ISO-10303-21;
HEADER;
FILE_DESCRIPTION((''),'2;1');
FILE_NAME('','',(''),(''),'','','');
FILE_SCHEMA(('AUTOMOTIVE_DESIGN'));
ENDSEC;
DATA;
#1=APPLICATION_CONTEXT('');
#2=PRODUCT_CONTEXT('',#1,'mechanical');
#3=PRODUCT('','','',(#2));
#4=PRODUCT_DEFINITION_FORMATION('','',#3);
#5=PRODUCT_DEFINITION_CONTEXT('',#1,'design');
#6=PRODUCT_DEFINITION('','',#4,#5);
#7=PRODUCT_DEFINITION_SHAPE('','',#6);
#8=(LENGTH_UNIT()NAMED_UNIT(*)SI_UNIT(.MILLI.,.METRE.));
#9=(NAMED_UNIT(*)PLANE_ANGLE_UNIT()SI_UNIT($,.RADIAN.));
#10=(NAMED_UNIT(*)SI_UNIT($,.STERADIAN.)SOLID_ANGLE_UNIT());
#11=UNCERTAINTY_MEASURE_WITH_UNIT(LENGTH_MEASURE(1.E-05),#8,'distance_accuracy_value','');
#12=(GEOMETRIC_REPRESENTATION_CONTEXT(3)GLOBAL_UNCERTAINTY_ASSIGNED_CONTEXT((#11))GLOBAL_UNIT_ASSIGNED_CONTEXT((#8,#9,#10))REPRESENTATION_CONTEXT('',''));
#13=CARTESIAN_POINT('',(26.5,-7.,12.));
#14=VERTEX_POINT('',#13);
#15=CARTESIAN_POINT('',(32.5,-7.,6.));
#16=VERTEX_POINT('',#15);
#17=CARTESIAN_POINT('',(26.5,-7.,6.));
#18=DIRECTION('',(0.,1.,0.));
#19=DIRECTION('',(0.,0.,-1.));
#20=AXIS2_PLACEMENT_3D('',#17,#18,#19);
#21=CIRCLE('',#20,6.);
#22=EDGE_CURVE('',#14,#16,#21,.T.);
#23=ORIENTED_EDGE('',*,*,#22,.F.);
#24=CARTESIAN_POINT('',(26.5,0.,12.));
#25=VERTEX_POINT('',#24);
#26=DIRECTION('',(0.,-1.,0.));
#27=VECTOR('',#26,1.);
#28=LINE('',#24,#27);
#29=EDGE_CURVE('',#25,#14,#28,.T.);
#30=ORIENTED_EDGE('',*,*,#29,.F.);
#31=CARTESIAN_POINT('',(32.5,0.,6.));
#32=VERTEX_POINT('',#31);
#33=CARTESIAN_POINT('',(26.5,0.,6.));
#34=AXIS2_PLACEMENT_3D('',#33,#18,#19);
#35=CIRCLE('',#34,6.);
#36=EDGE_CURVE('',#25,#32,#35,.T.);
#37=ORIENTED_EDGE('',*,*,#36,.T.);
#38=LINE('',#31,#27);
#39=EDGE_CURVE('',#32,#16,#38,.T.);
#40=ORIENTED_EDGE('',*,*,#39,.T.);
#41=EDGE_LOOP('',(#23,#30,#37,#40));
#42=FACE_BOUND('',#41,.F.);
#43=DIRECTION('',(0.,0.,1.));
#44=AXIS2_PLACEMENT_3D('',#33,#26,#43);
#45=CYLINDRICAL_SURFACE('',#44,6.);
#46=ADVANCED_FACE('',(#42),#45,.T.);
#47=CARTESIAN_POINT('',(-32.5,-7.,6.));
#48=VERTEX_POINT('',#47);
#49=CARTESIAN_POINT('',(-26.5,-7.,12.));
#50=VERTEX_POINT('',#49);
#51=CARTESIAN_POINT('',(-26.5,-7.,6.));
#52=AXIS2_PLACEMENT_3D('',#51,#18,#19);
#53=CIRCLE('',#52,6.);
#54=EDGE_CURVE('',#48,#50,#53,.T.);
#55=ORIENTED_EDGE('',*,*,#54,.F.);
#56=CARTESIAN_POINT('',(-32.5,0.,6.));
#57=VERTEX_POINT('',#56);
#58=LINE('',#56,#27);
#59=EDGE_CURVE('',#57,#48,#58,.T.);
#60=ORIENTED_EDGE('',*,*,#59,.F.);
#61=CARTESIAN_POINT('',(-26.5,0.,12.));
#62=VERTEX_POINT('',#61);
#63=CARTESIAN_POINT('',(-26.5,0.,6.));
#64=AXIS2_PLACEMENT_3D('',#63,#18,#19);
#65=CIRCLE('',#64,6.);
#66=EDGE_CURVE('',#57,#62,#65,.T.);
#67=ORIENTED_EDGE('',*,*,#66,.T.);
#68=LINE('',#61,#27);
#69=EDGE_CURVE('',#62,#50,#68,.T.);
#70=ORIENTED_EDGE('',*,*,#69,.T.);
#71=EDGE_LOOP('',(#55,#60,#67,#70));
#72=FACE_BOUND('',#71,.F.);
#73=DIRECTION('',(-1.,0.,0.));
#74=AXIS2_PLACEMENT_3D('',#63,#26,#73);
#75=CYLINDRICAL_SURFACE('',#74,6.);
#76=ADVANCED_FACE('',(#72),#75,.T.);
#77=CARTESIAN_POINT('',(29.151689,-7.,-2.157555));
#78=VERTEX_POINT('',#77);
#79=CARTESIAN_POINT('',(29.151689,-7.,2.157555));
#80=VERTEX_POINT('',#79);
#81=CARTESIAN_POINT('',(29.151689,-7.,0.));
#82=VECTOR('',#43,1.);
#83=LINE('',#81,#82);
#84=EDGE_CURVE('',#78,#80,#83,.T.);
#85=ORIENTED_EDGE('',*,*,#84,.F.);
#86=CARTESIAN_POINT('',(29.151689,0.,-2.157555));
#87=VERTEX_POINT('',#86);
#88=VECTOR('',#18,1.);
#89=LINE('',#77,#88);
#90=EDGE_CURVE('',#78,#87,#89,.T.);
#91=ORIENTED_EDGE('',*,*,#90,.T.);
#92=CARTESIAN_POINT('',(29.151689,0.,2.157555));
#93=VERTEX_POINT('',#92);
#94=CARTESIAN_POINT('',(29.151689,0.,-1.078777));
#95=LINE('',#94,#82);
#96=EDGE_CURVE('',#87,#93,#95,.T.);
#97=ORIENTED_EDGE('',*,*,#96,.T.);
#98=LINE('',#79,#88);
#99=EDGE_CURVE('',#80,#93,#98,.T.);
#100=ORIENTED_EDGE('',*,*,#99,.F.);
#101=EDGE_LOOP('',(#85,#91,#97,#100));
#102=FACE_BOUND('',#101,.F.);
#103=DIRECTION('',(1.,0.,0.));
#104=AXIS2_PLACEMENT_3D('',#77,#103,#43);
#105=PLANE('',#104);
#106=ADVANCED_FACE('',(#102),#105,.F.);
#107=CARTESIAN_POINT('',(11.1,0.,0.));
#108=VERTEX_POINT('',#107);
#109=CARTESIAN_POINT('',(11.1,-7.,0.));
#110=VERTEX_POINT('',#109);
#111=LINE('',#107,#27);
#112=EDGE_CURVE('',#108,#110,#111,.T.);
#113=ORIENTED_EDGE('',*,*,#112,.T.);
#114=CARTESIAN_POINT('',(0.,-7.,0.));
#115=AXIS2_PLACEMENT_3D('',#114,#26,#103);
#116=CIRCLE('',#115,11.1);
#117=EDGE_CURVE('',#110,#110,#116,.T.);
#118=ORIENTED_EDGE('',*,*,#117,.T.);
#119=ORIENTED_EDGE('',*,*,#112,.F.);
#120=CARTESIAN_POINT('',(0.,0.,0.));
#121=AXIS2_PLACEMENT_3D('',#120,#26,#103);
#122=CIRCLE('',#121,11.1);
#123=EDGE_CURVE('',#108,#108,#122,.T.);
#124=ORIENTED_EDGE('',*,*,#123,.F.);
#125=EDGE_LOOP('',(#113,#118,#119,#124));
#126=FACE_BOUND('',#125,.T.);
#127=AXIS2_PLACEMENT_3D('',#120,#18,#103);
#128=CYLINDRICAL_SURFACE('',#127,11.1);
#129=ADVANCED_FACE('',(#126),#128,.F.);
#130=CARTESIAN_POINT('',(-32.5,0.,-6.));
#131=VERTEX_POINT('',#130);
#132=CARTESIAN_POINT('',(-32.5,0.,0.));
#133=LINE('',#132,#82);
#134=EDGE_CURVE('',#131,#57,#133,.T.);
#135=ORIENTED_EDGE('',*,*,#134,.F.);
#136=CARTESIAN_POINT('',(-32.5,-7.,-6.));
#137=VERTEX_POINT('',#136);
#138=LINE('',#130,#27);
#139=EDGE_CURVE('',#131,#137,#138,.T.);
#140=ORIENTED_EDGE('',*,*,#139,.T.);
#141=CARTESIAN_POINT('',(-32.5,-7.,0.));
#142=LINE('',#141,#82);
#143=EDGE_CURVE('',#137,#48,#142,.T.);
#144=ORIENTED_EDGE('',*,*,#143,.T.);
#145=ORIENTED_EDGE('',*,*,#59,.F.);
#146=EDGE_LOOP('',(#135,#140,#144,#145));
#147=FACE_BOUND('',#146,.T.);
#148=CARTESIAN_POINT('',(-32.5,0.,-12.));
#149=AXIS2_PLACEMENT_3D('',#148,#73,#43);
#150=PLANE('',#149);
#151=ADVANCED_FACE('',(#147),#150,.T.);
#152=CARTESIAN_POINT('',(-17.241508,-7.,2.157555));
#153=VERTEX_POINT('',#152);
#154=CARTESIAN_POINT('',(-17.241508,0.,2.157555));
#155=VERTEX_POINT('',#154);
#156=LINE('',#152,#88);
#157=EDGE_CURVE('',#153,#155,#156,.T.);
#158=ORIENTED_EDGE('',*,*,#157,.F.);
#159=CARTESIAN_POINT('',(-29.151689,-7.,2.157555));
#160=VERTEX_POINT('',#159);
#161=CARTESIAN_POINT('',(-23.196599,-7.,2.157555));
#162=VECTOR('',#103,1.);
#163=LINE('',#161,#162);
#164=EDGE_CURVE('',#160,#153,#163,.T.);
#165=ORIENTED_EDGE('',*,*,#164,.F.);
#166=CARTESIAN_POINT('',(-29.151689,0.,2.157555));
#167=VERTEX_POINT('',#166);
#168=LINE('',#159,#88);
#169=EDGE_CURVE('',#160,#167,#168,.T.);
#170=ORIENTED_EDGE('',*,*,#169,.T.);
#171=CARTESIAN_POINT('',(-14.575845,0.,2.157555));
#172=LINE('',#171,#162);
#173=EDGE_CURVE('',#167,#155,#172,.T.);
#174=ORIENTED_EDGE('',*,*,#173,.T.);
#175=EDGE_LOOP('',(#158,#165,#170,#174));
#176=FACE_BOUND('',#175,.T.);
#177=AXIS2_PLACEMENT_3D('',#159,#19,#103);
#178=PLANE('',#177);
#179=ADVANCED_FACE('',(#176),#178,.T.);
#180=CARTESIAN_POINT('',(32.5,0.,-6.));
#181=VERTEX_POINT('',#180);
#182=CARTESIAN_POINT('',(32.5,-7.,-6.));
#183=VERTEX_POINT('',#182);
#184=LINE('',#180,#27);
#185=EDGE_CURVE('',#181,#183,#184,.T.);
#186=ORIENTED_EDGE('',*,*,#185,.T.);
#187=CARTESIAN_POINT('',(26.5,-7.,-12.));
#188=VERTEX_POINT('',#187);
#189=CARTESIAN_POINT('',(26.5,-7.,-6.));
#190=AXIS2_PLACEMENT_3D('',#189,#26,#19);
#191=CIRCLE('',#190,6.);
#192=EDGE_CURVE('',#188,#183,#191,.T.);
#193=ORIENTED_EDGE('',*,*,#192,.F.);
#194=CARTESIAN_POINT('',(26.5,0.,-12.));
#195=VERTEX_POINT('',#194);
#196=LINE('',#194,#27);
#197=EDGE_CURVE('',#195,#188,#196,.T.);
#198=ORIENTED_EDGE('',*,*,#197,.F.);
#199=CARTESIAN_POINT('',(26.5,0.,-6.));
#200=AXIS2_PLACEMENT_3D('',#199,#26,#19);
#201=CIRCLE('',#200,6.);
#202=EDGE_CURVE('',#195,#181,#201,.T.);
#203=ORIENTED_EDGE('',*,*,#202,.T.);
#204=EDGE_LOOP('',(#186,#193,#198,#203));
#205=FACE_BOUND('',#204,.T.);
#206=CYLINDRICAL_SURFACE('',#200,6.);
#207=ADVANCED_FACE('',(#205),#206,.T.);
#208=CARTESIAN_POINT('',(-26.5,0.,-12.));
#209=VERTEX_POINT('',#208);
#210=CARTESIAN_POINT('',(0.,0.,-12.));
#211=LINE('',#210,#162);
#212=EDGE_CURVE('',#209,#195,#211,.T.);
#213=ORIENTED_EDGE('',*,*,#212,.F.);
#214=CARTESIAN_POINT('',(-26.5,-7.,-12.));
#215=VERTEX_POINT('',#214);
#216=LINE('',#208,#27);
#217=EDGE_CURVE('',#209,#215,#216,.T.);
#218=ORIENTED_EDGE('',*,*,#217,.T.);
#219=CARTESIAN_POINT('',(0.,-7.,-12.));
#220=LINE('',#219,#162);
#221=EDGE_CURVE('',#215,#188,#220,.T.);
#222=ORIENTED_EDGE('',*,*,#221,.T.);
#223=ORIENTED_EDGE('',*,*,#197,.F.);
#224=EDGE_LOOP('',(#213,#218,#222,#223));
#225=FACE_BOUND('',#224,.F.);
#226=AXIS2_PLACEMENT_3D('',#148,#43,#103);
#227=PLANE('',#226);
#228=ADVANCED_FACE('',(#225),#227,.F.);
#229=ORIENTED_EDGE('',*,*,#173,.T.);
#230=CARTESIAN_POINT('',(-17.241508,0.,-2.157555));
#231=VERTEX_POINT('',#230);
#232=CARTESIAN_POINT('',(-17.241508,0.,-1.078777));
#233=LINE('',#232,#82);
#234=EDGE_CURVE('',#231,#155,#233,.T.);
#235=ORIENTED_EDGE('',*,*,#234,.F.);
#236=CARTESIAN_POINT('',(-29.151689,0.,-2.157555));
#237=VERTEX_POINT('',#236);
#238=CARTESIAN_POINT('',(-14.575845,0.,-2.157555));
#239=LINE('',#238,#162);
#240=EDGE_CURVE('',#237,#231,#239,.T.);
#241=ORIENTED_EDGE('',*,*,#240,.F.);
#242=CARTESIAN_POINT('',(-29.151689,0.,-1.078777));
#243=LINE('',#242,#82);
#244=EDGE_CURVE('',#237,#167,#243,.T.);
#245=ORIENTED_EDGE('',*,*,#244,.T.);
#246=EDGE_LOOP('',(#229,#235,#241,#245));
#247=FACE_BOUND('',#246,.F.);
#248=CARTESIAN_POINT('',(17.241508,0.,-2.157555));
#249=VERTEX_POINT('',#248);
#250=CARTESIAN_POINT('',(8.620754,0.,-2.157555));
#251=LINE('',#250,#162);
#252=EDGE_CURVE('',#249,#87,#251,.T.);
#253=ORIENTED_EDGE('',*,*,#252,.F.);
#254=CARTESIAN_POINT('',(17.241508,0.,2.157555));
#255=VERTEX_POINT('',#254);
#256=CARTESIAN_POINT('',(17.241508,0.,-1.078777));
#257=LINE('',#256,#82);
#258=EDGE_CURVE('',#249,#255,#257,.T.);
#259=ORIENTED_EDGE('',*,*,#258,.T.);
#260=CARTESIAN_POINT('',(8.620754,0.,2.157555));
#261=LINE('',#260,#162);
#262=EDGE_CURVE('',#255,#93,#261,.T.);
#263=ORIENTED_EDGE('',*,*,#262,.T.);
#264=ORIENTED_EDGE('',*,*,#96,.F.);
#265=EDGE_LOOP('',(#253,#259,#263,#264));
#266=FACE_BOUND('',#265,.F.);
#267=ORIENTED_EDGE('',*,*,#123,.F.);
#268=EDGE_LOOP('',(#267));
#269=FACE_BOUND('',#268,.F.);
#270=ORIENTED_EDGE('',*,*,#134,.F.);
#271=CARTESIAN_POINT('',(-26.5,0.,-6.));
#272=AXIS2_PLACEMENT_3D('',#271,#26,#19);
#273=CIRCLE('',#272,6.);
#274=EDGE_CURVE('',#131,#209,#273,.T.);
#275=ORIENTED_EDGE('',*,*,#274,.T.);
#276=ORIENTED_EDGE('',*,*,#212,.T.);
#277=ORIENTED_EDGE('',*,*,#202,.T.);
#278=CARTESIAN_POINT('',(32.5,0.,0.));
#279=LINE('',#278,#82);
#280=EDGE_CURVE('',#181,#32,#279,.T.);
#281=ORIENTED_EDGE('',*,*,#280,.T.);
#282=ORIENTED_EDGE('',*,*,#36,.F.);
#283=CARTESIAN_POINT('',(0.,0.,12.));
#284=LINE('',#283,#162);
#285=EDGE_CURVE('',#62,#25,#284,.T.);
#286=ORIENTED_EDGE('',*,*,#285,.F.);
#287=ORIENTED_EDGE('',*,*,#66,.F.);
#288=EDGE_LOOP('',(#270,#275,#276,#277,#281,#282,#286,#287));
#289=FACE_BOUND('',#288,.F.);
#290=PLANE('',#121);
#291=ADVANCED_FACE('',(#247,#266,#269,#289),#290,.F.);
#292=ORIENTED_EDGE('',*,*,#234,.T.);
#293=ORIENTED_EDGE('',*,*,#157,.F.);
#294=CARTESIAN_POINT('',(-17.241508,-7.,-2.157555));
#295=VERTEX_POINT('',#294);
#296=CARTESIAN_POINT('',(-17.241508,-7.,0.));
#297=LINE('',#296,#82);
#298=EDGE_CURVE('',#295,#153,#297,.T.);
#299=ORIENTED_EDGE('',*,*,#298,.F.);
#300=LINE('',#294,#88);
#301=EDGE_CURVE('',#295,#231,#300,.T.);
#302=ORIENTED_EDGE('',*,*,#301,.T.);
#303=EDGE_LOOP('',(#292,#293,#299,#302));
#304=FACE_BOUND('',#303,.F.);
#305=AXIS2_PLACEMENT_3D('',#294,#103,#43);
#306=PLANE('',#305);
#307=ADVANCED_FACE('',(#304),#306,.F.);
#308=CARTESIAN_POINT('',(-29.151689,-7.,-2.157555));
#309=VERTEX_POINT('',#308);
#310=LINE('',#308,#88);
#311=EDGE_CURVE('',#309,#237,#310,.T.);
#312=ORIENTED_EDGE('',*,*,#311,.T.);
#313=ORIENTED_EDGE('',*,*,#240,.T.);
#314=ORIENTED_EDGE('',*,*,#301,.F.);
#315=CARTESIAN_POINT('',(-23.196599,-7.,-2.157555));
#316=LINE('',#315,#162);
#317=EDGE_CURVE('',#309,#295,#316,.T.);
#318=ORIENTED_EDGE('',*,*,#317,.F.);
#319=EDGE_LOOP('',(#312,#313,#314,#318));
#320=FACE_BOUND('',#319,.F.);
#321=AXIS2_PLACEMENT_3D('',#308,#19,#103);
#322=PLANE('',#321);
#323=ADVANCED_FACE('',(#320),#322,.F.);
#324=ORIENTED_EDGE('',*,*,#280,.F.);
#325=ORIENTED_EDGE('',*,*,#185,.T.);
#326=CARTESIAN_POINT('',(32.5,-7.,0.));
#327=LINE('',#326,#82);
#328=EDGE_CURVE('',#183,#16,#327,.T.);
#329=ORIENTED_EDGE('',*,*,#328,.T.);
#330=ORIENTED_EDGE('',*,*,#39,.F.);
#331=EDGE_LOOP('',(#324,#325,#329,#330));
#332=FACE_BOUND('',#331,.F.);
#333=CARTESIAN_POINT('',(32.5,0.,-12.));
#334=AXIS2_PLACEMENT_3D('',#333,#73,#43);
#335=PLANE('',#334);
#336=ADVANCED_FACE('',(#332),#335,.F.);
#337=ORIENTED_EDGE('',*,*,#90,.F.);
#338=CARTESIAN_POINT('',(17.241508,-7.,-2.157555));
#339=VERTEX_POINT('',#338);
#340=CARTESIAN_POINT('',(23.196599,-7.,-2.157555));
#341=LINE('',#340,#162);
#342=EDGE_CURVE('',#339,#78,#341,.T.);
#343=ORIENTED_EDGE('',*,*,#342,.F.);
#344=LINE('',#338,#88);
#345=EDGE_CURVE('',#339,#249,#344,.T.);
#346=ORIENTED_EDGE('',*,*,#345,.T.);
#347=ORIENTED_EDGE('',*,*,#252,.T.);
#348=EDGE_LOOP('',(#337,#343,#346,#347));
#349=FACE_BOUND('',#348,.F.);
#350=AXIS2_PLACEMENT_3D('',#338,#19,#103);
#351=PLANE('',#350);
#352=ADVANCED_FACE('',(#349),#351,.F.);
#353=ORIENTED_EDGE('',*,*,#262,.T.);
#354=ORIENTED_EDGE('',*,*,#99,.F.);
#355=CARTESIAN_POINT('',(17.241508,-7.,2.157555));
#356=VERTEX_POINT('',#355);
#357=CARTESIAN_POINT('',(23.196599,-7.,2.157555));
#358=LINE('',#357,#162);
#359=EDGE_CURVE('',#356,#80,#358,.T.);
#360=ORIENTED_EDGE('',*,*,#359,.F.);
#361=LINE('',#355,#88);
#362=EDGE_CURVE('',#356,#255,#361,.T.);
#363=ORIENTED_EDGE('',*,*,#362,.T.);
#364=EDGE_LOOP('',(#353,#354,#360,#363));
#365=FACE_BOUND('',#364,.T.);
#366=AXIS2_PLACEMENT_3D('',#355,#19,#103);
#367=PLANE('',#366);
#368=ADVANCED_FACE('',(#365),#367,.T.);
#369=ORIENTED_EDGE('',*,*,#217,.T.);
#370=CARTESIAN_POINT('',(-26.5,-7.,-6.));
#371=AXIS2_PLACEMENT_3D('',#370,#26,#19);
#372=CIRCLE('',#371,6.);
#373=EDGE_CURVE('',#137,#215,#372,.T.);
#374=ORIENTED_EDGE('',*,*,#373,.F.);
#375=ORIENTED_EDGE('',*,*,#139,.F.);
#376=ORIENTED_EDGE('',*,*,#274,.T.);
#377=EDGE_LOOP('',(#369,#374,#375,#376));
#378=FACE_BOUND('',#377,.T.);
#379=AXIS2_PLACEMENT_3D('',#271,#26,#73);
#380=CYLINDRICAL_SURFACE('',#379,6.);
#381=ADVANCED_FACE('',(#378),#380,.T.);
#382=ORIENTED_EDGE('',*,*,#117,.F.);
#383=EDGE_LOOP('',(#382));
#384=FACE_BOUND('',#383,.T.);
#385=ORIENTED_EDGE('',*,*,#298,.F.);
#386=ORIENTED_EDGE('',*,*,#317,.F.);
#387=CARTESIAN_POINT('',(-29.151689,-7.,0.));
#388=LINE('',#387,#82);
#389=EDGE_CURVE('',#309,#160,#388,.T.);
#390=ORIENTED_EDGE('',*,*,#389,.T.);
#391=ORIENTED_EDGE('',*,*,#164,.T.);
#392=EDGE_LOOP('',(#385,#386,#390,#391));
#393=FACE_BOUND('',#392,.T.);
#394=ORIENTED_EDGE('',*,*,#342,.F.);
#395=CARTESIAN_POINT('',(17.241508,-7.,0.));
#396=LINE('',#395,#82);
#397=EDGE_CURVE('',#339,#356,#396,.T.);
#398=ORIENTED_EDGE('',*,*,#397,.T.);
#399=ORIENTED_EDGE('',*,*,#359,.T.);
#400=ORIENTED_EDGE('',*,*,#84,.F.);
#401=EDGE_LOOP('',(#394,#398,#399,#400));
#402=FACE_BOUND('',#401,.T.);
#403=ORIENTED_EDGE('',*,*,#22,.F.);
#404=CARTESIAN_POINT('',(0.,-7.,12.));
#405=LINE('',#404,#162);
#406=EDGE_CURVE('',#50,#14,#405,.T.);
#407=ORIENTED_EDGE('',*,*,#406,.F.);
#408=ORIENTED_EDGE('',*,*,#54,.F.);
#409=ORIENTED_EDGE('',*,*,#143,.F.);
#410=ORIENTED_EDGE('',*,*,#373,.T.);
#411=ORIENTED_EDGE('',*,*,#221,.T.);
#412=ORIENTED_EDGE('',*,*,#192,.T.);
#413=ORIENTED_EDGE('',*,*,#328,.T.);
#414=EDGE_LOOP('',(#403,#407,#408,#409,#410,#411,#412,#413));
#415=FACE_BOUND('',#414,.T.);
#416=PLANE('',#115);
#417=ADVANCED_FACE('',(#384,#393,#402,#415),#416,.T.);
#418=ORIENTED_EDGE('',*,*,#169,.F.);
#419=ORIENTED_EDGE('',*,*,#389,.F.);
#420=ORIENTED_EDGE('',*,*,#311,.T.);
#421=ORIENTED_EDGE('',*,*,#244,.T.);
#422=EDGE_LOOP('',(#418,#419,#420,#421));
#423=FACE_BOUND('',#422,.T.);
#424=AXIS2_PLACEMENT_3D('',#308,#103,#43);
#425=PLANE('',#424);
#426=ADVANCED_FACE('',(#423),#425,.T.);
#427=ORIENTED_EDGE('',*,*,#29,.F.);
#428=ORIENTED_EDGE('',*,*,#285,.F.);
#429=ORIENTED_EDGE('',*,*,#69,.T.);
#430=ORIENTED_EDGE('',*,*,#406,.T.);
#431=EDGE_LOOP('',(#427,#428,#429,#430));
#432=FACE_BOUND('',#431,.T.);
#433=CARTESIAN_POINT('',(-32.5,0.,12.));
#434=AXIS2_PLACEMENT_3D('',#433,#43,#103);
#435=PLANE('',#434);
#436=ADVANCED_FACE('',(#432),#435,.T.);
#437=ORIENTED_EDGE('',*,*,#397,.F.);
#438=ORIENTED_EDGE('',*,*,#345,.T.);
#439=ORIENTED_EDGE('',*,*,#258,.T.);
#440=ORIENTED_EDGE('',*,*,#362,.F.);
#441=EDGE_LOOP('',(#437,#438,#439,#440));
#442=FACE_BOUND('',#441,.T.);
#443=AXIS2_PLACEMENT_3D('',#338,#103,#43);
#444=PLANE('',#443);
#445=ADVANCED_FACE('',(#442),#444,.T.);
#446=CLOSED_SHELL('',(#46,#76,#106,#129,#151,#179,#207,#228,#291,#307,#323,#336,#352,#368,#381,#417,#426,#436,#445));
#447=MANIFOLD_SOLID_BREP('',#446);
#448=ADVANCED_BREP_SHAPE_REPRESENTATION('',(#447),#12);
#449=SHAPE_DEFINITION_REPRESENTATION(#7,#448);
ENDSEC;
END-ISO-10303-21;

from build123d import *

# Parameters (mm, degrees)
F0_W     = 65
F0_H     = 24
F0_R     = 11.1
F1_DEPTH = 7
F2_R     = 6
F3_W     = 11.910181
F3_H     = 4.31511
F4_DEPTH = 7.001


with BuildPart() as f1:
    # F0 (on Front) → F1 (new body)
    with BuildSketch(Plane.XZ):
        Rectangle(F0_W, F0_H)
        Circle(F0_R, mode=Mode.SUBTRACT)
    extrude(amount=F1_DEPTH)

    # F2
    f2_edges = [f1.edges().sort_by_distance(p)[0] for p in [
        (-32.5, -3.5, 12),
        (-32.5, -3.5, -12),
        (32.5, -3.5, -12),
        (32.5, -3.5, 12),
    ]]
    fillet(f2_edges, radius=F2_R)

    # F3 (on face) → F4 (cut, through all)
    with BuildSketch(Plane.XZ.offset(7)):
        with Locations((-23.196599, 0)):
            Rectangle(F3_W, F3_H)
        with Locations((23.196599, 0)):
            Rectangle(F3_W, F3_H)
    extrude(amount=-F4_DEPTH, mode=Mode.SUBTRACT)


solid = f1.part
